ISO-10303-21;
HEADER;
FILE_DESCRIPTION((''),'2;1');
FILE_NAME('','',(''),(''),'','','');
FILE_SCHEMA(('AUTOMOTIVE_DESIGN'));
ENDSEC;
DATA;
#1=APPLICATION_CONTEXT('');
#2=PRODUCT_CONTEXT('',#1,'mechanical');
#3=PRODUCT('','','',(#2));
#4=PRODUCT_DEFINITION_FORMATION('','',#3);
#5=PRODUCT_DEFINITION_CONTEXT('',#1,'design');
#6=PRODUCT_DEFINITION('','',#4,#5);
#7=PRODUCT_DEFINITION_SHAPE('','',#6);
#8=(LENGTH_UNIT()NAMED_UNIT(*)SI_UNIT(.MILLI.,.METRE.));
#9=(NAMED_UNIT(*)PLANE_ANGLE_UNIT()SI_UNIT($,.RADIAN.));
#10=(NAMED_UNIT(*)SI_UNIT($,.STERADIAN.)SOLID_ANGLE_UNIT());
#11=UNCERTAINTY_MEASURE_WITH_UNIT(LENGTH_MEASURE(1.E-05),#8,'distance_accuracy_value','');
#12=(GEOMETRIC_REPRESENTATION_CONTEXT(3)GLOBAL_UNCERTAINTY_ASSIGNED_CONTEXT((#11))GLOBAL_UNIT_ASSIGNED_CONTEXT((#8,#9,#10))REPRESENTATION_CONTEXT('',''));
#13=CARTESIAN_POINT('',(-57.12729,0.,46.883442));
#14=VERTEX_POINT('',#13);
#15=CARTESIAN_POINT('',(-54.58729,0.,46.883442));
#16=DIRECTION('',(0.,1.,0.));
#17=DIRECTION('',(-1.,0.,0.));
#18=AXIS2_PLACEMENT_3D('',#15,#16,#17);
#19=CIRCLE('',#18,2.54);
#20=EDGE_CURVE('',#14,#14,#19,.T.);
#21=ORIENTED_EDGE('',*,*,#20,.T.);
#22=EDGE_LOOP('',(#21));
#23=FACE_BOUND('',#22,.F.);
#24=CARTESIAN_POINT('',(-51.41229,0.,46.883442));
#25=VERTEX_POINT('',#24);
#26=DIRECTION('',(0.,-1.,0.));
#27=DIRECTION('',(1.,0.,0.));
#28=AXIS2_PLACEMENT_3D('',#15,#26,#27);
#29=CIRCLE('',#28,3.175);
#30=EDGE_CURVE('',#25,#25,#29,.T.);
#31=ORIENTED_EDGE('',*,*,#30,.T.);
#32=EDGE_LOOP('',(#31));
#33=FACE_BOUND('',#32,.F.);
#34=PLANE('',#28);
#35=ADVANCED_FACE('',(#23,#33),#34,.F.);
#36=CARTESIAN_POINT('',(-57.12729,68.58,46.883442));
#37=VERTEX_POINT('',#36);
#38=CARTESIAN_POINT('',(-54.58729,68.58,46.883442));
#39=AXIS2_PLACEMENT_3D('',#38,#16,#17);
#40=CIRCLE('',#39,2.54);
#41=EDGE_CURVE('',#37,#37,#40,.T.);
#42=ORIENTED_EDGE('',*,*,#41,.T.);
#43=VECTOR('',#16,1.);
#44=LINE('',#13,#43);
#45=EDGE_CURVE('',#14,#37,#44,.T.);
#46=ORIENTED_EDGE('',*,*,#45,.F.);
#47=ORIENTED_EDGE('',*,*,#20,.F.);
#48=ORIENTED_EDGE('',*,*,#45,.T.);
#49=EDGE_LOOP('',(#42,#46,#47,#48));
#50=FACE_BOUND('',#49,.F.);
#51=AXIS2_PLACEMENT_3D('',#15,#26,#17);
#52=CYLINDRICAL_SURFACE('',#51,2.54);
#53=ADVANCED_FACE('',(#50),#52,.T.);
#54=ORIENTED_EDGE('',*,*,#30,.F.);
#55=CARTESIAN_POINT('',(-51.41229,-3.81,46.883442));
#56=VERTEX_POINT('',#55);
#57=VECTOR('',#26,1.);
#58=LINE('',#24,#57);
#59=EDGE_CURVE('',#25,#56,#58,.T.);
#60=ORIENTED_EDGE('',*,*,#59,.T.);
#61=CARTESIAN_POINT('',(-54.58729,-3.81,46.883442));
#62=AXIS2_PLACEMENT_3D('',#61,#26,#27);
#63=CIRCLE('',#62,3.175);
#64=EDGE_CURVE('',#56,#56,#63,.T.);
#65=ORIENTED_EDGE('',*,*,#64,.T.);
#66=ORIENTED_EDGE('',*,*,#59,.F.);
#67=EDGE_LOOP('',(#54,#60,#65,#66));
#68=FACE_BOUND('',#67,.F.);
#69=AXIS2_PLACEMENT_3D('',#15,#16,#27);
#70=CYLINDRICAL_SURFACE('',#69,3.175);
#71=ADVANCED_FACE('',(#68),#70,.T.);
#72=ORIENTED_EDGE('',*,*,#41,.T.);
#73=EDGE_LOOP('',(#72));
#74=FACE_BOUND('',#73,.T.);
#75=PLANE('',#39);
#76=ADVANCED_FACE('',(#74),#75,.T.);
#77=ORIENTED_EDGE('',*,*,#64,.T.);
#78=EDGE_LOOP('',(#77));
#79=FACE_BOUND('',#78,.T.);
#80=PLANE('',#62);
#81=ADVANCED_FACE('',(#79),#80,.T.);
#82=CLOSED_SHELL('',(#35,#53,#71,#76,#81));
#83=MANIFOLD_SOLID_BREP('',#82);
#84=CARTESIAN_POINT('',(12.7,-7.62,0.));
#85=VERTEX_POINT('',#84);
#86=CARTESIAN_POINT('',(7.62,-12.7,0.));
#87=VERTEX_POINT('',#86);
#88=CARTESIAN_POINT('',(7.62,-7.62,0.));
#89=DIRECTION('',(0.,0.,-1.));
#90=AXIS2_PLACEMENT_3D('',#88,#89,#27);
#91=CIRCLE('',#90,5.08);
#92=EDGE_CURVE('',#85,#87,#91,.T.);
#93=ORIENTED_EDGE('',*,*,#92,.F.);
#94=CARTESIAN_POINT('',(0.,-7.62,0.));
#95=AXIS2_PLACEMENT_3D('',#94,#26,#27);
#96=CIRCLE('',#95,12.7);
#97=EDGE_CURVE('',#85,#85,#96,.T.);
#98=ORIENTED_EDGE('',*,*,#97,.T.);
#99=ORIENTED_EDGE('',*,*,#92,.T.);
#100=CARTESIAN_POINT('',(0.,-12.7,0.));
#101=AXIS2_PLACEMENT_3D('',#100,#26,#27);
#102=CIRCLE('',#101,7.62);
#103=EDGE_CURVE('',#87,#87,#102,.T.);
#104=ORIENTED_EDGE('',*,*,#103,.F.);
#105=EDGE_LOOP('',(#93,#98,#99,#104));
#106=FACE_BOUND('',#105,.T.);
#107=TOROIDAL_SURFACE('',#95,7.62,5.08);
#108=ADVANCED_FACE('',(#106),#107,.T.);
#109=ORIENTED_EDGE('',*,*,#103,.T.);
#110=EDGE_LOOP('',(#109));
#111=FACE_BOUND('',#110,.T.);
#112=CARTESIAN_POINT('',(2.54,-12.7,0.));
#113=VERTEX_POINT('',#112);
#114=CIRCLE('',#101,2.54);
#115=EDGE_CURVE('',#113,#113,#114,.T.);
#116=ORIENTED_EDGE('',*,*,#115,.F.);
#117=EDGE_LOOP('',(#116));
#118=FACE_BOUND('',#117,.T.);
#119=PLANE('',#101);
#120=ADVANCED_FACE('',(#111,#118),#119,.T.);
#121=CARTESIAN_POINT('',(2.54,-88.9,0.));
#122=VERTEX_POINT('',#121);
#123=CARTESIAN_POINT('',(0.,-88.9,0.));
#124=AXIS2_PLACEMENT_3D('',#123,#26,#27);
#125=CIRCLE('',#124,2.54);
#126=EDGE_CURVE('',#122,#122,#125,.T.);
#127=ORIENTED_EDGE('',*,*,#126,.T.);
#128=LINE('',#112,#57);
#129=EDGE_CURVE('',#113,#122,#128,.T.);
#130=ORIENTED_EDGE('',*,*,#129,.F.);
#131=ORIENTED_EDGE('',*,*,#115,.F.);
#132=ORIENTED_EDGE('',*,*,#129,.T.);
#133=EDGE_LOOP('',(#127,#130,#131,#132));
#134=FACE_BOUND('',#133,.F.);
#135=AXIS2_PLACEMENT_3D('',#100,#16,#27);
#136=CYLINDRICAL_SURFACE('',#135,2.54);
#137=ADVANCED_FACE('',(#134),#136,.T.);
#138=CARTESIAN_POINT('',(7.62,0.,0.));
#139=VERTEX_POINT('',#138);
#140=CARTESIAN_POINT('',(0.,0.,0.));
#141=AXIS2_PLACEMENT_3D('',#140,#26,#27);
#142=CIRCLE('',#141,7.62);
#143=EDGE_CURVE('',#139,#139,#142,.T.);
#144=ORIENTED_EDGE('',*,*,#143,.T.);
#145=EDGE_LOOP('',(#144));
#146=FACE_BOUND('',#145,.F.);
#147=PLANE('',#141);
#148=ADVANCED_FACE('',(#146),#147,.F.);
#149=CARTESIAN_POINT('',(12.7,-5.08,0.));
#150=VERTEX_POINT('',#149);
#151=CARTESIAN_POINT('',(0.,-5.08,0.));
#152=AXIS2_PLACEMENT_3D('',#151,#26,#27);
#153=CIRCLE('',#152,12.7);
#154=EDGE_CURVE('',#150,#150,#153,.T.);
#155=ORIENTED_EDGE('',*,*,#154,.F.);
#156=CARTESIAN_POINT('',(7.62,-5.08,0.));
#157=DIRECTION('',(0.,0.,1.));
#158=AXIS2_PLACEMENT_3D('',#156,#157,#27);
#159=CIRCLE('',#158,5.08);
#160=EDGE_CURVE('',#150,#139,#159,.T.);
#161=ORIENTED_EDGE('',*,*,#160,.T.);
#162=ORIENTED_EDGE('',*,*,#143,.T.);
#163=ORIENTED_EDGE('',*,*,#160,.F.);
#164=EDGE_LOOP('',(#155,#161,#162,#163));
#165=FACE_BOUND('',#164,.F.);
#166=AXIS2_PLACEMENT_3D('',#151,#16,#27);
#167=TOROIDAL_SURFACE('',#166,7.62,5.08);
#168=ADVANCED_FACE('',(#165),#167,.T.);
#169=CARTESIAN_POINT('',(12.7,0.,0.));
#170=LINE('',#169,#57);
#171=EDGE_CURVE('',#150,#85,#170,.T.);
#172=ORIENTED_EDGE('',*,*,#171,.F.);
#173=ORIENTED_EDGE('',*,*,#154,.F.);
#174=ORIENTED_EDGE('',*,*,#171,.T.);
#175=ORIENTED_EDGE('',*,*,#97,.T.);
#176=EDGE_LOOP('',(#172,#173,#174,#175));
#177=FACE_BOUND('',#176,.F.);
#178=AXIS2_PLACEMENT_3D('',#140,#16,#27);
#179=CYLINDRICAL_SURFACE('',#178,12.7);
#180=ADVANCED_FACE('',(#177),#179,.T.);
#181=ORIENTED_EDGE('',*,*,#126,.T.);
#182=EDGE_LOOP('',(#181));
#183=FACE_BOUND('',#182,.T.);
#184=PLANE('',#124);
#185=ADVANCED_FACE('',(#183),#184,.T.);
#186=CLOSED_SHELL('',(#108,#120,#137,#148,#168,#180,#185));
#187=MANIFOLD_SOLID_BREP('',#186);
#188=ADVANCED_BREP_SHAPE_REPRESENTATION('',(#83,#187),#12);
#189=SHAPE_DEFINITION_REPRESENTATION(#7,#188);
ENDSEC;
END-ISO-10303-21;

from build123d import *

# Parameters (mm, degrees)
F0_R     = 12.7
F1_DEPTH = 12.7
F2_R     = 2.54
F3_DEPTH = 76.2
F4_R     = 5.08
F5_R     = 3.175
F6_DEPTH = 3.81
F7_R     = 2.54
F8_DEPTH = 68.58


with BuildPart() as f1:
    # F0 (on Front) → F1 (new body)
    with BuildSketch(Plane.XZ):
        Circle(F0_R)
    extrude(amount=F1_DEPTH)

    # F2 (on face) → F3 (join)
    with BuildSketch(Plane.XZ.offset(12.7)):
        Circle(F2_R)
    extrude(amount=F3_DEPTH)

    # F4
    f4_edges = [f1.edges().sort_by_distance(p)[0] for p in [
        (-12.7, -12.7, 0),
        (-12.7, 0, 0),
    ]]
    fillet(f4_edges, radius=F4_R)


with BuildPart() as f6:
    # F5 (on Front) → F6 (new body)
    with BuildSketch(Plane.XZ):
        with Locations((-54.58729, 46.883442)):
            Circle(F5_R)
    extrude(amount=F6_DEPTH)

    # F7 (on face) → F8 (join)
    with BuildSketch(Plane(origin=(0, 0, 0), x_dir=(-1, 0, 0), z_dir=(0, 1, 0))):
        with Locations((54.58729, 46.883442)):
            Circle(F7_R)
    extrude(amount=F8_DEPTH)


solid = Compound([f1.part, f6.part])
